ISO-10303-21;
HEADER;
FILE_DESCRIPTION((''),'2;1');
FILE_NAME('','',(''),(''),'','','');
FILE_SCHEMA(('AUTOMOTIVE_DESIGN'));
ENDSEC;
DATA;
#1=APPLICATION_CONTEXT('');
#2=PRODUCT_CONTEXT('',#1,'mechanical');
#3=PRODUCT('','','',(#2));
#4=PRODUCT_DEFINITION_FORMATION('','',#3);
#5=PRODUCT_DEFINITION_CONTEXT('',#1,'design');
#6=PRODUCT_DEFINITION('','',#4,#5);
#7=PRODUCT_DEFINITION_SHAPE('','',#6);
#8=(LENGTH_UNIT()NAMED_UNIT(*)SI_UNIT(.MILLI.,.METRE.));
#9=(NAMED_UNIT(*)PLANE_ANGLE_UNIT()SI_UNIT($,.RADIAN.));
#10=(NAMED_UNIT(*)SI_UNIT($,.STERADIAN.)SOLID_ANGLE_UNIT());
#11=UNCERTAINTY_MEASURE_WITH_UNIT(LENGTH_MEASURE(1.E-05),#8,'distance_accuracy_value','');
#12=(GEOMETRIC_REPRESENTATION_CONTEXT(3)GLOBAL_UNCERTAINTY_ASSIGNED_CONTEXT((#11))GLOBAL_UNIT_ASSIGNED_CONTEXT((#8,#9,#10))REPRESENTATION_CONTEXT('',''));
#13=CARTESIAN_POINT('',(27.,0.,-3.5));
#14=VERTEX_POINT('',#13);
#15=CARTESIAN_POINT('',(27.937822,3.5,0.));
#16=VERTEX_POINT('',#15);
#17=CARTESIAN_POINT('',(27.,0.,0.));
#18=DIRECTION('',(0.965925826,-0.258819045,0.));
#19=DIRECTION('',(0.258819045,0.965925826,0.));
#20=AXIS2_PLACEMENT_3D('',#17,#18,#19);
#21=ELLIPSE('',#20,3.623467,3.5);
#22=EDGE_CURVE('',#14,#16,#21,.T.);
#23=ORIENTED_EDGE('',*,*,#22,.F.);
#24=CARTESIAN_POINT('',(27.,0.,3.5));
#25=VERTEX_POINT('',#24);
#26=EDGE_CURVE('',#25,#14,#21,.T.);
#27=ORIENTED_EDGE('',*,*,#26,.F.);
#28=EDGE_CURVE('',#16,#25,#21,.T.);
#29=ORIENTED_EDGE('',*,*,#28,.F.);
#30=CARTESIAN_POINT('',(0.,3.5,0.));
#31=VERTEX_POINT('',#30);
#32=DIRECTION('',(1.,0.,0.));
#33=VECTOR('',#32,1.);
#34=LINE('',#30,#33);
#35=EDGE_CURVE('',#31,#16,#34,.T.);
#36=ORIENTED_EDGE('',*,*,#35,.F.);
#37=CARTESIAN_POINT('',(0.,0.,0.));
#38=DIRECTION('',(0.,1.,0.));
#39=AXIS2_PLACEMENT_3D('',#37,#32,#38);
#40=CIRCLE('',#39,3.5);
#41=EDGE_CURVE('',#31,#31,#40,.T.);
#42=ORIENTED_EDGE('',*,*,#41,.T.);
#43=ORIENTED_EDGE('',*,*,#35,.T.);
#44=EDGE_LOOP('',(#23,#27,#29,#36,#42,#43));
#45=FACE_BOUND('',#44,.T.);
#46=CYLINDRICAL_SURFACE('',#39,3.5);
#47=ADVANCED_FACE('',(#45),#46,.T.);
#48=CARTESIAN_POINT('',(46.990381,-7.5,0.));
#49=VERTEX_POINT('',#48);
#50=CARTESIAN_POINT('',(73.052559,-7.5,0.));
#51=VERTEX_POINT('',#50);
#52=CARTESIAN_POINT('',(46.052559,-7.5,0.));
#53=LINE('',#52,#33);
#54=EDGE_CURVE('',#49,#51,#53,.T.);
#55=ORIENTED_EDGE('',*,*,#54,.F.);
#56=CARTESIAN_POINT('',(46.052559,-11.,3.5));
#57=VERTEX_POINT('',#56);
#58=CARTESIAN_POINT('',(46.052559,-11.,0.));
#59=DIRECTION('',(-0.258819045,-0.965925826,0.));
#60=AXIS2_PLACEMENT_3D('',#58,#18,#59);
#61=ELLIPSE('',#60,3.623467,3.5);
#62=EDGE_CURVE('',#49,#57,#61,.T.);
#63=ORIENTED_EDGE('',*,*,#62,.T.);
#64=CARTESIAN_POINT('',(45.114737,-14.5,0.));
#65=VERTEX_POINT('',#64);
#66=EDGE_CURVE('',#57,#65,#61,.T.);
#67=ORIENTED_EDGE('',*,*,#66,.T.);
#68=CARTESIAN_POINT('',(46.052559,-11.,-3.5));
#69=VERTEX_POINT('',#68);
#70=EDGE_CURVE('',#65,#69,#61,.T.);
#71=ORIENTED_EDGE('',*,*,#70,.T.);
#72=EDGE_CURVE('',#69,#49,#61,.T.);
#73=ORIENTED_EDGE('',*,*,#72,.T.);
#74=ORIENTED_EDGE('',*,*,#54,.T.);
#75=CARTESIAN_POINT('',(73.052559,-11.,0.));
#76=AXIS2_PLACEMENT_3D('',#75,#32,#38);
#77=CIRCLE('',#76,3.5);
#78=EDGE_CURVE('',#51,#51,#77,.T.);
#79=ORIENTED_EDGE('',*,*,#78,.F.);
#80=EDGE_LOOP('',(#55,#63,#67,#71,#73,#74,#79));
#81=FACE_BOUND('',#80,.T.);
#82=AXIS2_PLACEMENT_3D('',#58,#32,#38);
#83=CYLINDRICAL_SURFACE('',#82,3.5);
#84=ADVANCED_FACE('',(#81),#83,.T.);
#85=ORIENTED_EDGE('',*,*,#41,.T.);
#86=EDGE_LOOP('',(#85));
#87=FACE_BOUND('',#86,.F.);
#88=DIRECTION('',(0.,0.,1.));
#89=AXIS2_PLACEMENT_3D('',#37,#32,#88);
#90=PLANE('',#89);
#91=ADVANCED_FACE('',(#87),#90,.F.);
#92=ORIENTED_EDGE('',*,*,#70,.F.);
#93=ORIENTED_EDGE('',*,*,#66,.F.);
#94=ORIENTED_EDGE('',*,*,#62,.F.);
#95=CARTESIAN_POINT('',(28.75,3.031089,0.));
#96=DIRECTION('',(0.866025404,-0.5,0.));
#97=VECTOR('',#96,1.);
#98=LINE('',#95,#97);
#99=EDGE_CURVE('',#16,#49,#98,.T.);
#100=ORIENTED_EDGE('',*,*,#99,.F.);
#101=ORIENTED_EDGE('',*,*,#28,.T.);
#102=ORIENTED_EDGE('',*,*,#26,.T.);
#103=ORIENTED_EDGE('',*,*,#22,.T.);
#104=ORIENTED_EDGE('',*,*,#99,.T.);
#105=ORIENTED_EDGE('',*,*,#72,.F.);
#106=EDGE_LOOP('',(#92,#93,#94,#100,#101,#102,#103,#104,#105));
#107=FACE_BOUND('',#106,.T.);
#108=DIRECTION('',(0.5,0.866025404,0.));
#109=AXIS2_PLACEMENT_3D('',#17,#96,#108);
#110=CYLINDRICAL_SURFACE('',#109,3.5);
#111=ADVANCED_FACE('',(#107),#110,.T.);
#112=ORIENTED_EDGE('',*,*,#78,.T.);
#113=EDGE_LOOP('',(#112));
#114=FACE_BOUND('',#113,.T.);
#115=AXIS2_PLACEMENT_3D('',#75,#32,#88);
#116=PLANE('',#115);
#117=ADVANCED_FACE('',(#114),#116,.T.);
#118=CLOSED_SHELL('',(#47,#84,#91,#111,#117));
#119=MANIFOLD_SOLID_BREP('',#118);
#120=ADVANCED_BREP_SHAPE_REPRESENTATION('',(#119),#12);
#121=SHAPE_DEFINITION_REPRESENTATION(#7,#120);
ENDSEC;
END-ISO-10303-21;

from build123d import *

# Parameters (mm, degrees)
F1_R = 3.5


with BuildPart() as f2:
    # F2: sweep along a path in F0
    with BuildLine(Plane.XY) as f2_path:
        Line((0, 0), (27, 0))
        Line((27, 0), (46.0525588833, -11))
        Line((46.0525588833, -11), (73.0525588833, -11))
    # F1 (on Right) → F2 (sweep)
    with BuildSketch(Plane.YZ):
        Circle(F1_R)
    sweep(path=f2_path.line, transition=Transition.RIGHT)


solid = f2.part
